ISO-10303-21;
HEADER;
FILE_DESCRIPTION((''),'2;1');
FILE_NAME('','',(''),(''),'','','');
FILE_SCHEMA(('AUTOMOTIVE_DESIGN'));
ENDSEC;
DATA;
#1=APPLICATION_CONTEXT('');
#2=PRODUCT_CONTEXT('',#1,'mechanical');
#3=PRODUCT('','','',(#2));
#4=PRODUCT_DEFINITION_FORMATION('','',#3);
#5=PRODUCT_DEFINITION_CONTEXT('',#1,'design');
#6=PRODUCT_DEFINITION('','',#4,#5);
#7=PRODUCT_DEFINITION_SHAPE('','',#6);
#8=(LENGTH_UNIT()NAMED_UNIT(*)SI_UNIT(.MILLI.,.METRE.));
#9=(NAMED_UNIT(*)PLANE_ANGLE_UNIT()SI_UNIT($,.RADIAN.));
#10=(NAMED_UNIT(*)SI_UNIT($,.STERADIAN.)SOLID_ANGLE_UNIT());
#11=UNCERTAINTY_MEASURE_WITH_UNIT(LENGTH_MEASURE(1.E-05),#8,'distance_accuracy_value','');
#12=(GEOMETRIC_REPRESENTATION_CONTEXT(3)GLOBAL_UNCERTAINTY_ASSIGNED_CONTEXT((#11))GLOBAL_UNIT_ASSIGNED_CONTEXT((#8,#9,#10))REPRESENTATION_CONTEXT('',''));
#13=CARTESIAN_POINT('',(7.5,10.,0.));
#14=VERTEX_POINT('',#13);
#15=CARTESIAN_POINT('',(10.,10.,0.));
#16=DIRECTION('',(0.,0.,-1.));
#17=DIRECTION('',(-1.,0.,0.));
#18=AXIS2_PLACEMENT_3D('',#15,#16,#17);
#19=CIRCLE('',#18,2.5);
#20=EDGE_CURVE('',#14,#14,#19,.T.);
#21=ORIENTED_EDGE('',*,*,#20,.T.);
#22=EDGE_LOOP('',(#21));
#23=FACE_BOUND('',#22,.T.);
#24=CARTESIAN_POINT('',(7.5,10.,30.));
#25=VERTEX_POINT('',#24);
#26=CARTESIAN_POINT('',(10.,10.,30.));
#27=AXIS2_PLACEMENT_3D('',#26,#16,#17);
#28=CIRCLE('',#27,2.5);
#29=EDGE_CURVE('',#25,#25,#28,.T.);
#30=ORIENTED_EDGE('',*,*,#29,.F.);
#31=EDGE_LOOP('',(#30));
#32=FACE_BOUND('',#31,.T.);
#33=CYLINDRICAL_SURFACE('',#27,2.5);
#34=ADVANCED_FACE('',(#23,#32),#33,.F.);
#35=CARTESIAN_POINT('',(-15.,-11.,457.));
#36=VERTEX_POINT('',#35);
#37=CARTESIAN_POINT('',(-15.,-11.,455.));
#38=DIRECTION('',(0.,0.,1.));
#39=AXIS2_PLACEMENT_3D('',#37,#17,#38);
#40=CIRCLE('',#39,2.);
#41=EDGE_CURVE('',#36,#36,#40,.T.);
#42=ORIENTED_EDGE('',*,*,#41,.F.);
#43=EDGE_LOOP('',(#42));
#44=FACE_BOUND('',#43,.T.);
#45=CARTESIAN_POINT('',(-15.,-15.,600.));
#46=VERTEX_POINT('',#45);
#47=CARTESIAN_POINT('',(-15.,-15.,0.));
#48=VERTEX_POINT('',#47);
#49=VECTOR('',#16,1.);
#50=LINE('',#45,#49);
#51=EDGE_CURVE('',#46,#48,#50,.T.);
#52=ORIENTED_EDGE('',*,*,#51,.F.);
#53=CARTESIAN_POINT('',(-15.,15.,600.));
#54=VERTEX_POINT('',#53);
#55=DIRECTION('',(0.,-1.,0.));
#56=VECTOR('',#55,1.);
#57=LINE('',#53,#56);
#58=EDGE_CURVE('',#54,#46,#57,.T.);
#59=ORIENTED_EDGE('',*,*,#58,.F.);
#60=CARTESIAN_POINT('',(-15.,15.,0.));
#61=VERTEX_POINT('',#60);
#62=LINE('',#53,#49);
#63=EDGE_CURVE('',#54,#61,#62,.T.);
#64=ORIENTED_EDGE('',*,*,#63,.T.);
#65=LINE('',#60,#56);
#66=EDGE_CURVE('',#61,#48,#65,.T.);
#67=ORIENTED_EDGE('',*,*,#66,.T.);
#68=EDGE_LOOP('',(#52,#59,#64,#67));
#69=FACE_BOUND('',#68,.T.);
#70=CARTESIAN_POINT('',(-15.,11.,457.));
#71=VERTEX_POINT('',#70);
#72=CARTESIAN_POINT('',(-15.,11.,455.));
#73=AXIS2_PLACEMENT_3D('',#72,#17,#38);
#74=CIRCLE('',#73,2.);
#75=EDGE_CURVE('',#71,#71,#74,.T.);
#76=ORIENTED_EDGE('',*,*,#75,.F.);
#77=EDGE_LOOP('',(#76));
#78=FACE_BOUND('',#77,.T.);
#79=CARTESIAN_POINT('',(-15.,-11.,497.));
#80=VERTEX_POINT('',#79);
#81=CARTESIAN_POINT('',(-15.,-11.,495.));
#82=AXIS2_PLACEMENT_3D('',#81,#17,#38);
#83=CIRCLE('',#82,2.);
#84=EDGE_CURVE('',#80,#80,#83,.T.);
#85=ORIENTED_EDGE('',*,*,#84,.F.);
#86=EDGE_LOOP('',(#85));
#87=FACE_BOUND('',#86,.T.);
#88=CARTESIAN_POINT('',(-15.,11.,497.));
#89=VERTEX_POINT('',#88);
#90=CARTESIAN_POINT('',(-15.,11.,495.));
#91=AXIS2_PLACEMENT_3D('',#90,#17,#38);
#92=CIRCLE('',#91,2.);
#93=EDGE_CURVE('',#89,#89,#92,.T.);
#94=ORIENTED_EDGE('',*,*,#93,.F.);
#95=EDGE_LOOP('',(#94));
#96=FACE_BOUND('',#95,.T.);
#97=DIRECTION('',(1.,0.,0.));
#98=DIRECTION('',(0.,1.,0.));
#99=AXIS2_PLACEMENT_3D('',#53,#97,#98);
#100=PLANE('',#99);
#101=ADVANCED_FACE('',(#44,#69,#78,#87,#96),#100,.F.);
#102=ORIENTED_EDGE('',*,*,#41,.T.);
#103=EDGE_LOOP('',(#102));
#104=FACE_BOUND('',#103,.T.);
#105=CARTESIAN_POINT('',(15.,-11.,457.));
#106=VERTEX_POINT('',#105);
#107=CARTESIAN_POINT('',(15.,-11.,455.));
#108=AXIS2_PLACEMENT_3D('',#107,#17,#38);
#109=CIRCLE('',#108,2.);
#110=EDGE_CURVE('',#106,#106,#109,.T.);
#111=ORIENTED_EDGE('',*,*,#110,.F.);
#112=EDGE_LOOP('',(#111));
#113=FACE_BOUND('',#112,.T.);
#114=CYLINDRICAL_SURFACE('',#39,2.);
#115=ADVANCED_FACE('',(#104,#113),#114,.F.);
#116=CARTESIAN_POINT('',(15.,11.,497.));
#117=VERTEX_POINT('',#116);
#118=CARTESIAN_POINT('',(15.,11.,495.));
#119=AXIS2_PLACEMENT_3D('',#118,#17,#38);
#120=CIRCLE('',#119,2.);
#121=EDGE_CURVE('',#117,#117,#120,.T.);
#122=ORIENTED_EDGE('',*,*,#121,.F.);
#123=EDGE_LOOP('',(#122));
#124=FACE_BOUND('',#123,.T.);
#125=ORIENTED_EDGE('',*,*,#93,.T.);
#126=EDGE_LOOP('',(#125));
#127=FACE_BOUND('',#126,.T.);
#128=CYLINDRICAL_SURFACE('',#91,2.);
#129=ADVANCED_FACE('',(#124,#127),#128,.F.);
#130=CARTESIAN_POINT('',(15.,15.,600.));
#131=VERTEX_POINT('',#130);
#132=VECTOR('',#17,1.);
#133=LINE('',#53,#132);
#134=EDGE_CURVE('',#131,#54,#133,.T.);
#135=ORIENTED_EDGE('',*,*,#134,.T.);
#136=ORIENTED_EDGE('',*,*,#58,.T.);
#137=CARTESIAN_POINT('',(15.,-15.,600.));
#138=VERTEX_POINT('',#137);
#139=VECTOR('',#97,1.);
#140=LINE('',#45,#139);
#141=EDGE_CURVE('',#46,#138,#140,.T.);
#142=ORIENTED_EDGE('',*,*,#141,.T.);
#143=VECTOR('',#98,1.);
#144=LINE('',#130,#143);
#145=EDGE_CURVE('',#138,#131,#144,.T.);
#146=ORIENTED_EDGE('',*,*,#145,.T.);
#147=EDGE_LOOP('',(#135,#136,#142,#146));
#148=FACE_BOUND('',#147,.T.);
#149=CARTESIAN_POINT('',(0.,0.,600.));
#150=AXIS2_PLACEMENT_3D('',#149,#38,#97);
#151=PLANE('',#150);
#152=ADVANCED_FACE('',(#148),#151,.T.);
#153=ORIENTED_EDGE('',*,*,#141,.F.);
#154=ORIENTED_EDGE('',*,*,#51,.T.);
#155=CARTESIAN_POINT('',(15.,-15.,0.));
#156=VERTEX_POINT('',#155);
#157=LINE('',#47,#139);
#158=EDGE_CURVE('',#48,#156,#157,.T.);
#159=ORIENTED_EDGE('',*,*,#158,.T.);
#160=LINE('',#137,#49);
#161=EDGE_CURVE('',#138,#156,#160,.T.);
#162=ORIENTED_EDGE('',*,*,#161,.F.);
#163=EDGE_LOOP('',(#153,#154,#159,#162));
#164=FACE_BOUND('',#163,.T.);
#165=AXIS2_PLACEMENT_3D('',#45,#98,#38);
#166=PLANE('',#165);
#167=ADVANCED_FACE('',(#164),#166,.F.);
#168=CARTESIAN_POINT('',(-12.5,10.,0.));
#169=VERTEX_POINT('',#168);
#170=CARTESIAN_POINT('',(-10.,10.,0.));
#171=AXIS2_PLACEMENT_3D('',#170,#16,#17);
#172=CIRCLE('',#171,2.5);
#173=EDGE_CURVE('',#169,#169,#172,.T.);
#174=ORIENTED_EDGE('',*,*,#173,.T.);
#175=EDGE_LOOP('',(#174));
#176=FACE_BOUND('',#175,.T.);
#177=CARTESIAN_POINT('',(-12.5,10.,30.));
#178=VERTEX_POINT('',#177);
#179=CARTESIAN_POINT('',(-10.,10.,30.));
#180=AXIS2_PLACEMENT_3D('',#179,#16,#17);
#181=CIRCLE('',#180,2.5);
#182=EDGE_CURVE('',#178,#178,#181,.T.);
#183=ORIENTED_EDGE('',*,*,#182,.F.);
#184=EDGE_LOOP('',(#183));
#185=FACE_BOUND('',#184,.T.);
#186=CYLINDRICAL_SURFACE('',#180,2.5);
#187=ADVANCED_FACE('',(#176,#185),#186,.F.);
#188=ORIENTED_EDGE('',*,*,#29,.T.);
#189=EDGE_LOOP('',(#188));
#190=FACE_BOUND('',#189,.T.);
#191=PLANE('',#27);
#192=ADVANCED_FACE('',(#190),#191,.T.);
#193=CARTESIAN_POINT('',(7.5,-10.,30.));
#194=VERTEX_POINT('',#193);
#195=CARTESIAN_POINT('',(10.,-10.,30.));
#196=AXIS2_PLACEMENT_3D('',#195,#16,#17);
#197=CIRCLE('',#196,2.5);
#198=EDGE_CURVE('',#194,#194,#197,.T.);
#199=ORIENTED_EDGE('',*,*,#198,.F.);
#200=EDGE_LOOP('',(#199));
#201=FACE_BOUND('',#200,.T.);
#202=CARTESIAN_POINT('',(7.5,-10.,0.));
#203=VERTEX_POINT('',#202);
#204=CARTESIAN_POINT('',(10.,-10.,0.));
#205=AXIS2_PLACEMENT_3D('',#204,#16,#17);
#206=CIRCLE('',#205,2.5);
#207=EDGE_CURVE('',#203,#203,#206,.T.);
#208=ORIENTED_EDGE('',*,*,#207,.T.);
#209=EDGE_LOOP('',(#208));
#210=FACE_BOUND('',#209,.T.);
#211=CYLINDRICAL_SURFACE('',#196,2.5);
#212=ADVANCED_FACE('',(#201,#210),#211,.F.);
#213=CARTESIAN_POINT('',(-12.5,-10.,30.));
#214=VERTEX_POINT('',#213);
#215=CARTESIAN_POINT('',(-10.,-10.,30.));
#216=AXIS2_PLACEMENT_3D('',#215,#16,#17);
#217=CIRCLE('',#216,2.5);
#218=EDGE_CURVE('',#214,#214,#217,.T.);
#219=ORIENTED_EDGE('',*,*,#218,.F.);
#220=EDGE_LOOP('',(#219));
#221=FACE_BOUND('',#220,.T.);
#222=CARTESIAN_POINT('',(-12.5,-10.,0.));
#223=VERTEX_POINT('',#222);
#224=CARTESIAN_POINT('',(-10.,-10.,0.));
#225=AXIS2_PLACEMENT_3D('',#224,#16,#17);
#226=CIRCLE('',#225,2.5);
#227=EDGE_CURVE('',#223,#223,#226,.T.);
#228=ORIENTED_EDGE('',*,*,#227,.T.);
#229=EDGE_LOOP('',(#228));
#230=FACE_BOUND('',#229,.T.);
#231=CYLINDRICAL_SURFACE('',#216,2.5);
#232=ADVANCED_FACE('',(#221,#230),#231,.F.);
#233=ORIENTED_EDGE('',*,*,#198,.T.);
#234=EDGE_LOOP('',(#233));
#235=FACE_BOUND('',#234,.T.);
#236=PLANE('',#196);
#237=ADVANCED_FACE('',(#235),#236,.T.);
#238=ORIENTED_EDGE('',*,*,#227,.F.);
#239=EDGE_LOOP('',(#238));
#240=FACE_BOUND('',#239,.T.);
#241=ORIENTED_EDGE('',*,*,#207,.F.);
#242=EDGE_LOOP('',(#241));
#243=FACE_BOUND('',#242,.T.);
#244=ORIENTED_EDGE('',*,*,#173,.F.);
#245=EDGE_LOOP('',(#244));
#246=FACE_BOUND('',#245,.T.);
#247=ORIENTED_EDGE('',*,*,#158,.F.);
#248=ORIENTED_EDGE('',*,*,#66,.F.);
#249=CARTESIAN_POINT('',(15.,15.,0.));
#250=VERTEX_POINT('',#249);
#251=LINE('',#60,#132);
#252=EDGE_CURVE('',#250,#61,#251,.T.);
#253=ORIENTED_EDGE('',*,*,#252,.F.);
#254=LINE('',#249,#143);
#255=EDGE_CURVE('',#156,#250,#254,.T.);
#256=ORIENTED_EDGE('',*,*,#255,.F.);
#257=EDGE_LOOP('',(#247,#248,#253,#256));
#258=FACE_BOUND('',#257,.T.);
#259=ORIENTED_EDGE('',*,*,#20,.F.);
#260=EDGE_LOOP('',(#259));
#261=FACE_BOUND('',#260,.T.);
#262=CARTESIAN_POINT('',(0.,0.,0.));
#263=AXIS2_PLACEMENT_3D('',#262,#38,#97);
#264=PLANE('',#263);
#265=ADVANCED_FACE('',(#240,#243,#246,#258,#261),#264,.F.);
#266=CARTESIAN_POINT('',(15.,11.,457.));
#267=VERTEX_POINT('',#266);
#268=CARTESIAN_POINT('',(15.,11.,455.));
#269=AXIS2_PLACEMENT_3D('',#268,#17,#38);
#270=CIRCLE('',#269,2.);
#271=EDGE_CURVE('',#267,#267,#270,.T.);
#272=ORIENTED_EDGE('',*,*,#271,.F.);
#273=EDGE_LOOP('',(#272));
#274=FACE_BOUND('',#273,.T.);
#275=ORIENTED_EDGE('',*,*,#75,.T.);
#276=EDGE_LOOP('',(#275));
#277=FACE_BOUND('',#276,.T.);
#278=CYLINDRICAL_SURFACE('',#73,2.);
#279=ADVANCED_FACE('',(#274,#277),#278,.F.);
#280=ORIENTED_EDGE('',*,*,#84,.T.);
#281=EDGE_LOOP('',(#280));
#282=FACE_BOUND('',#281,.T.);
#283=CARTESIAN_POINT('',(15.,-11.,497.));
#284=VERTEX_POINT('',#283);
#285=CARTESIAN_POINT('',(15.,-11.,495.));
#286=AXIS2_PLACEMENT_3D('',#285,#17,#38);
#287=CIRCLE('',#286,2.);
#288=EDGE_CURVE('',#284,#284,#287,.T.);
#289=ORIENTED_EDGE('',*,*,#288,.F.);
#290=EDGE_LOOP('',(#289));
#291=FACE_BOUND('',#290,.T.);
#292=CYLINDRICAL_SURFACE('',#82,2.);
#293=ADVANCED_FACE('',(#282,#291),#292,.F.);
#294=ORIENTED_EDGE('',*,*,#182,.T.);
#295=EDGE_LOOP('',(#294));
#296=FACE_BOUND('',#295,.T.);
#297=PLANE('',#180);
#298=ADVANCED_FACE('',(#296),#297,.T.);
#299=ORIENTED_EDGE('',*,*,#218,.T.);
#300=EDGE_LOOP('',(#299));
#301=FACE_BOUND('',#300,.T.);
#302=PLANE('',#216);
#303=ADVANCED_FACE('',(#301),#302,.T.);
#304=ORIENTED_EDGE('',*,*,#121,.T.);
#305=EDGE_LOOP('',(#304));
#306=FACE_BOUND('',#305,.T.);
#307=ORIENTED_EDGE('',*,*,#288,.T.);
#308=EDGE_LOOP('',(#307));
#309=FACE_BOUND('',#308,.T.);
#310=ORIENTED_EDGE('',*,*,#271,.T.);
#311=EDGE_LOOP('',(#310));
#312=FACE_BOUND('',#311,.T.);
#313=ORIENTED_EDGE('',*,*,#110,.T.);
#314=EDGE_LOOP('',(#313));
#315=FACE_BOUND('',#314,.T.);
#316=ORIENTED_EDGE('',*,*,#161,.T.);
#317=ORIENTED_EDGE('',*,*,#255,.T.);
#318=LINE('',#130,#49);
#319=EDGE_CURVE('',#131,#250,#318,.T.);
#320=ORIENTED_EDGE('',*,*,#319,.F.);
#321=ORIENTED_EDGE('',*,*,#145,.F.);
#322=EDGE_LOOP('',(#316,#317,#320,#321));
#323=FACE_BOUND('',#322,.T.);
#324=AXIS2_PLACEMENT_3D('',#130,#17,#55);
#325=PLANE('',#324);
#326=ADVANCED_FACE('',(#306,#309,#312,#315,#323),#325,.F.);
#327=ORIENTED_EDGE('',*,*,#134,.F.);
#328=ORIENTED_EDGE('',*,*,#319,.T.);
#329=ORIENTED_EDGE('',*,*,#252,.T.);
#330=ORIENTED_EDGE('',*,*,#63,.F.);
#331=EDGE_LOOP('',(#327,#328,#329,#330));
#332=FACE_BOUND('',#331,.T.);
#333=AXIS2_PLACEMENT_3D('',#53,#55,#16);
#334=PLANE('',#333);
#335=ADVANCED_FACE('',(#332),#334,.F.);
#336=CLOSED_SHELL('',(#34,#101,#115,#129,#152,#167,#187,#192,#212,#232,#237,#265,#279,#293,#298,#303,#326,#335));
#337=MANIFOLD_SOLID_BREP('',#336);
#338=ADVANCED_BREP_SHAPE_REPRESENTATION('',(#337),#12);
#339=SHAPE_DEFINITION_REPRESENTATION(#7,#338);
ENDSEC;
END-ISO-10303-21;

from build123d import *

# Parameters (mm, degrees)
SKETCH1_W             = 30
SKETCH1_H             = 30
BOSS_EXTRUDE1_DEPTH   = 600
SKETCH8_R             = 2.5
CUT_EXTRUDE7_DEPTH    = 30
F_4_0MM_DOWEL_HOLE1_D = 4


with BuildPart() as part:
    # Sketch1 → Boss-Extrude1 (new body)
    with BuildSketch(Plane.XY):
        Rectangle(SKETCH1_W, SKETCH1_H)
    extrude(amount=BOSS_EXTRUDE1_DEPTH)

    # Sketch8 → Cut-Extrude7 (cut)
    with BuildSketch(Plane(origin=(0, 0, 0), x_dir=(-1, 0, 0), z_dir=(0, 0, -1))):
        with Locations((-10, 10)):
            Circle(SKETCH8_R)
        with Locations((10, 10)):
            Circle(SKETCH8_R)
        with Locations((10, -10)):
            Circle(SKETCH8_R)
        with Locations((-10, -10)):
            Circle(SKETCH8_R)
    extrude(amount=-CUT_EXTRUDE7_DEPTH, mode=Mode.SUBTRACT)

    # Ø4.0mm Dowel Hole1 (through all)
    with Locations(Plane(origin=(-15, 11, 495), x_dir=(0, -1, 0), z_dir=(-1, 0, 0))):
        with Locations((0, 0), (0, -40), (22, -40), (22, 0)):
            Hole(F_4_0MM_DOWEL_HOLE1_D / 2)


solid = part.part
